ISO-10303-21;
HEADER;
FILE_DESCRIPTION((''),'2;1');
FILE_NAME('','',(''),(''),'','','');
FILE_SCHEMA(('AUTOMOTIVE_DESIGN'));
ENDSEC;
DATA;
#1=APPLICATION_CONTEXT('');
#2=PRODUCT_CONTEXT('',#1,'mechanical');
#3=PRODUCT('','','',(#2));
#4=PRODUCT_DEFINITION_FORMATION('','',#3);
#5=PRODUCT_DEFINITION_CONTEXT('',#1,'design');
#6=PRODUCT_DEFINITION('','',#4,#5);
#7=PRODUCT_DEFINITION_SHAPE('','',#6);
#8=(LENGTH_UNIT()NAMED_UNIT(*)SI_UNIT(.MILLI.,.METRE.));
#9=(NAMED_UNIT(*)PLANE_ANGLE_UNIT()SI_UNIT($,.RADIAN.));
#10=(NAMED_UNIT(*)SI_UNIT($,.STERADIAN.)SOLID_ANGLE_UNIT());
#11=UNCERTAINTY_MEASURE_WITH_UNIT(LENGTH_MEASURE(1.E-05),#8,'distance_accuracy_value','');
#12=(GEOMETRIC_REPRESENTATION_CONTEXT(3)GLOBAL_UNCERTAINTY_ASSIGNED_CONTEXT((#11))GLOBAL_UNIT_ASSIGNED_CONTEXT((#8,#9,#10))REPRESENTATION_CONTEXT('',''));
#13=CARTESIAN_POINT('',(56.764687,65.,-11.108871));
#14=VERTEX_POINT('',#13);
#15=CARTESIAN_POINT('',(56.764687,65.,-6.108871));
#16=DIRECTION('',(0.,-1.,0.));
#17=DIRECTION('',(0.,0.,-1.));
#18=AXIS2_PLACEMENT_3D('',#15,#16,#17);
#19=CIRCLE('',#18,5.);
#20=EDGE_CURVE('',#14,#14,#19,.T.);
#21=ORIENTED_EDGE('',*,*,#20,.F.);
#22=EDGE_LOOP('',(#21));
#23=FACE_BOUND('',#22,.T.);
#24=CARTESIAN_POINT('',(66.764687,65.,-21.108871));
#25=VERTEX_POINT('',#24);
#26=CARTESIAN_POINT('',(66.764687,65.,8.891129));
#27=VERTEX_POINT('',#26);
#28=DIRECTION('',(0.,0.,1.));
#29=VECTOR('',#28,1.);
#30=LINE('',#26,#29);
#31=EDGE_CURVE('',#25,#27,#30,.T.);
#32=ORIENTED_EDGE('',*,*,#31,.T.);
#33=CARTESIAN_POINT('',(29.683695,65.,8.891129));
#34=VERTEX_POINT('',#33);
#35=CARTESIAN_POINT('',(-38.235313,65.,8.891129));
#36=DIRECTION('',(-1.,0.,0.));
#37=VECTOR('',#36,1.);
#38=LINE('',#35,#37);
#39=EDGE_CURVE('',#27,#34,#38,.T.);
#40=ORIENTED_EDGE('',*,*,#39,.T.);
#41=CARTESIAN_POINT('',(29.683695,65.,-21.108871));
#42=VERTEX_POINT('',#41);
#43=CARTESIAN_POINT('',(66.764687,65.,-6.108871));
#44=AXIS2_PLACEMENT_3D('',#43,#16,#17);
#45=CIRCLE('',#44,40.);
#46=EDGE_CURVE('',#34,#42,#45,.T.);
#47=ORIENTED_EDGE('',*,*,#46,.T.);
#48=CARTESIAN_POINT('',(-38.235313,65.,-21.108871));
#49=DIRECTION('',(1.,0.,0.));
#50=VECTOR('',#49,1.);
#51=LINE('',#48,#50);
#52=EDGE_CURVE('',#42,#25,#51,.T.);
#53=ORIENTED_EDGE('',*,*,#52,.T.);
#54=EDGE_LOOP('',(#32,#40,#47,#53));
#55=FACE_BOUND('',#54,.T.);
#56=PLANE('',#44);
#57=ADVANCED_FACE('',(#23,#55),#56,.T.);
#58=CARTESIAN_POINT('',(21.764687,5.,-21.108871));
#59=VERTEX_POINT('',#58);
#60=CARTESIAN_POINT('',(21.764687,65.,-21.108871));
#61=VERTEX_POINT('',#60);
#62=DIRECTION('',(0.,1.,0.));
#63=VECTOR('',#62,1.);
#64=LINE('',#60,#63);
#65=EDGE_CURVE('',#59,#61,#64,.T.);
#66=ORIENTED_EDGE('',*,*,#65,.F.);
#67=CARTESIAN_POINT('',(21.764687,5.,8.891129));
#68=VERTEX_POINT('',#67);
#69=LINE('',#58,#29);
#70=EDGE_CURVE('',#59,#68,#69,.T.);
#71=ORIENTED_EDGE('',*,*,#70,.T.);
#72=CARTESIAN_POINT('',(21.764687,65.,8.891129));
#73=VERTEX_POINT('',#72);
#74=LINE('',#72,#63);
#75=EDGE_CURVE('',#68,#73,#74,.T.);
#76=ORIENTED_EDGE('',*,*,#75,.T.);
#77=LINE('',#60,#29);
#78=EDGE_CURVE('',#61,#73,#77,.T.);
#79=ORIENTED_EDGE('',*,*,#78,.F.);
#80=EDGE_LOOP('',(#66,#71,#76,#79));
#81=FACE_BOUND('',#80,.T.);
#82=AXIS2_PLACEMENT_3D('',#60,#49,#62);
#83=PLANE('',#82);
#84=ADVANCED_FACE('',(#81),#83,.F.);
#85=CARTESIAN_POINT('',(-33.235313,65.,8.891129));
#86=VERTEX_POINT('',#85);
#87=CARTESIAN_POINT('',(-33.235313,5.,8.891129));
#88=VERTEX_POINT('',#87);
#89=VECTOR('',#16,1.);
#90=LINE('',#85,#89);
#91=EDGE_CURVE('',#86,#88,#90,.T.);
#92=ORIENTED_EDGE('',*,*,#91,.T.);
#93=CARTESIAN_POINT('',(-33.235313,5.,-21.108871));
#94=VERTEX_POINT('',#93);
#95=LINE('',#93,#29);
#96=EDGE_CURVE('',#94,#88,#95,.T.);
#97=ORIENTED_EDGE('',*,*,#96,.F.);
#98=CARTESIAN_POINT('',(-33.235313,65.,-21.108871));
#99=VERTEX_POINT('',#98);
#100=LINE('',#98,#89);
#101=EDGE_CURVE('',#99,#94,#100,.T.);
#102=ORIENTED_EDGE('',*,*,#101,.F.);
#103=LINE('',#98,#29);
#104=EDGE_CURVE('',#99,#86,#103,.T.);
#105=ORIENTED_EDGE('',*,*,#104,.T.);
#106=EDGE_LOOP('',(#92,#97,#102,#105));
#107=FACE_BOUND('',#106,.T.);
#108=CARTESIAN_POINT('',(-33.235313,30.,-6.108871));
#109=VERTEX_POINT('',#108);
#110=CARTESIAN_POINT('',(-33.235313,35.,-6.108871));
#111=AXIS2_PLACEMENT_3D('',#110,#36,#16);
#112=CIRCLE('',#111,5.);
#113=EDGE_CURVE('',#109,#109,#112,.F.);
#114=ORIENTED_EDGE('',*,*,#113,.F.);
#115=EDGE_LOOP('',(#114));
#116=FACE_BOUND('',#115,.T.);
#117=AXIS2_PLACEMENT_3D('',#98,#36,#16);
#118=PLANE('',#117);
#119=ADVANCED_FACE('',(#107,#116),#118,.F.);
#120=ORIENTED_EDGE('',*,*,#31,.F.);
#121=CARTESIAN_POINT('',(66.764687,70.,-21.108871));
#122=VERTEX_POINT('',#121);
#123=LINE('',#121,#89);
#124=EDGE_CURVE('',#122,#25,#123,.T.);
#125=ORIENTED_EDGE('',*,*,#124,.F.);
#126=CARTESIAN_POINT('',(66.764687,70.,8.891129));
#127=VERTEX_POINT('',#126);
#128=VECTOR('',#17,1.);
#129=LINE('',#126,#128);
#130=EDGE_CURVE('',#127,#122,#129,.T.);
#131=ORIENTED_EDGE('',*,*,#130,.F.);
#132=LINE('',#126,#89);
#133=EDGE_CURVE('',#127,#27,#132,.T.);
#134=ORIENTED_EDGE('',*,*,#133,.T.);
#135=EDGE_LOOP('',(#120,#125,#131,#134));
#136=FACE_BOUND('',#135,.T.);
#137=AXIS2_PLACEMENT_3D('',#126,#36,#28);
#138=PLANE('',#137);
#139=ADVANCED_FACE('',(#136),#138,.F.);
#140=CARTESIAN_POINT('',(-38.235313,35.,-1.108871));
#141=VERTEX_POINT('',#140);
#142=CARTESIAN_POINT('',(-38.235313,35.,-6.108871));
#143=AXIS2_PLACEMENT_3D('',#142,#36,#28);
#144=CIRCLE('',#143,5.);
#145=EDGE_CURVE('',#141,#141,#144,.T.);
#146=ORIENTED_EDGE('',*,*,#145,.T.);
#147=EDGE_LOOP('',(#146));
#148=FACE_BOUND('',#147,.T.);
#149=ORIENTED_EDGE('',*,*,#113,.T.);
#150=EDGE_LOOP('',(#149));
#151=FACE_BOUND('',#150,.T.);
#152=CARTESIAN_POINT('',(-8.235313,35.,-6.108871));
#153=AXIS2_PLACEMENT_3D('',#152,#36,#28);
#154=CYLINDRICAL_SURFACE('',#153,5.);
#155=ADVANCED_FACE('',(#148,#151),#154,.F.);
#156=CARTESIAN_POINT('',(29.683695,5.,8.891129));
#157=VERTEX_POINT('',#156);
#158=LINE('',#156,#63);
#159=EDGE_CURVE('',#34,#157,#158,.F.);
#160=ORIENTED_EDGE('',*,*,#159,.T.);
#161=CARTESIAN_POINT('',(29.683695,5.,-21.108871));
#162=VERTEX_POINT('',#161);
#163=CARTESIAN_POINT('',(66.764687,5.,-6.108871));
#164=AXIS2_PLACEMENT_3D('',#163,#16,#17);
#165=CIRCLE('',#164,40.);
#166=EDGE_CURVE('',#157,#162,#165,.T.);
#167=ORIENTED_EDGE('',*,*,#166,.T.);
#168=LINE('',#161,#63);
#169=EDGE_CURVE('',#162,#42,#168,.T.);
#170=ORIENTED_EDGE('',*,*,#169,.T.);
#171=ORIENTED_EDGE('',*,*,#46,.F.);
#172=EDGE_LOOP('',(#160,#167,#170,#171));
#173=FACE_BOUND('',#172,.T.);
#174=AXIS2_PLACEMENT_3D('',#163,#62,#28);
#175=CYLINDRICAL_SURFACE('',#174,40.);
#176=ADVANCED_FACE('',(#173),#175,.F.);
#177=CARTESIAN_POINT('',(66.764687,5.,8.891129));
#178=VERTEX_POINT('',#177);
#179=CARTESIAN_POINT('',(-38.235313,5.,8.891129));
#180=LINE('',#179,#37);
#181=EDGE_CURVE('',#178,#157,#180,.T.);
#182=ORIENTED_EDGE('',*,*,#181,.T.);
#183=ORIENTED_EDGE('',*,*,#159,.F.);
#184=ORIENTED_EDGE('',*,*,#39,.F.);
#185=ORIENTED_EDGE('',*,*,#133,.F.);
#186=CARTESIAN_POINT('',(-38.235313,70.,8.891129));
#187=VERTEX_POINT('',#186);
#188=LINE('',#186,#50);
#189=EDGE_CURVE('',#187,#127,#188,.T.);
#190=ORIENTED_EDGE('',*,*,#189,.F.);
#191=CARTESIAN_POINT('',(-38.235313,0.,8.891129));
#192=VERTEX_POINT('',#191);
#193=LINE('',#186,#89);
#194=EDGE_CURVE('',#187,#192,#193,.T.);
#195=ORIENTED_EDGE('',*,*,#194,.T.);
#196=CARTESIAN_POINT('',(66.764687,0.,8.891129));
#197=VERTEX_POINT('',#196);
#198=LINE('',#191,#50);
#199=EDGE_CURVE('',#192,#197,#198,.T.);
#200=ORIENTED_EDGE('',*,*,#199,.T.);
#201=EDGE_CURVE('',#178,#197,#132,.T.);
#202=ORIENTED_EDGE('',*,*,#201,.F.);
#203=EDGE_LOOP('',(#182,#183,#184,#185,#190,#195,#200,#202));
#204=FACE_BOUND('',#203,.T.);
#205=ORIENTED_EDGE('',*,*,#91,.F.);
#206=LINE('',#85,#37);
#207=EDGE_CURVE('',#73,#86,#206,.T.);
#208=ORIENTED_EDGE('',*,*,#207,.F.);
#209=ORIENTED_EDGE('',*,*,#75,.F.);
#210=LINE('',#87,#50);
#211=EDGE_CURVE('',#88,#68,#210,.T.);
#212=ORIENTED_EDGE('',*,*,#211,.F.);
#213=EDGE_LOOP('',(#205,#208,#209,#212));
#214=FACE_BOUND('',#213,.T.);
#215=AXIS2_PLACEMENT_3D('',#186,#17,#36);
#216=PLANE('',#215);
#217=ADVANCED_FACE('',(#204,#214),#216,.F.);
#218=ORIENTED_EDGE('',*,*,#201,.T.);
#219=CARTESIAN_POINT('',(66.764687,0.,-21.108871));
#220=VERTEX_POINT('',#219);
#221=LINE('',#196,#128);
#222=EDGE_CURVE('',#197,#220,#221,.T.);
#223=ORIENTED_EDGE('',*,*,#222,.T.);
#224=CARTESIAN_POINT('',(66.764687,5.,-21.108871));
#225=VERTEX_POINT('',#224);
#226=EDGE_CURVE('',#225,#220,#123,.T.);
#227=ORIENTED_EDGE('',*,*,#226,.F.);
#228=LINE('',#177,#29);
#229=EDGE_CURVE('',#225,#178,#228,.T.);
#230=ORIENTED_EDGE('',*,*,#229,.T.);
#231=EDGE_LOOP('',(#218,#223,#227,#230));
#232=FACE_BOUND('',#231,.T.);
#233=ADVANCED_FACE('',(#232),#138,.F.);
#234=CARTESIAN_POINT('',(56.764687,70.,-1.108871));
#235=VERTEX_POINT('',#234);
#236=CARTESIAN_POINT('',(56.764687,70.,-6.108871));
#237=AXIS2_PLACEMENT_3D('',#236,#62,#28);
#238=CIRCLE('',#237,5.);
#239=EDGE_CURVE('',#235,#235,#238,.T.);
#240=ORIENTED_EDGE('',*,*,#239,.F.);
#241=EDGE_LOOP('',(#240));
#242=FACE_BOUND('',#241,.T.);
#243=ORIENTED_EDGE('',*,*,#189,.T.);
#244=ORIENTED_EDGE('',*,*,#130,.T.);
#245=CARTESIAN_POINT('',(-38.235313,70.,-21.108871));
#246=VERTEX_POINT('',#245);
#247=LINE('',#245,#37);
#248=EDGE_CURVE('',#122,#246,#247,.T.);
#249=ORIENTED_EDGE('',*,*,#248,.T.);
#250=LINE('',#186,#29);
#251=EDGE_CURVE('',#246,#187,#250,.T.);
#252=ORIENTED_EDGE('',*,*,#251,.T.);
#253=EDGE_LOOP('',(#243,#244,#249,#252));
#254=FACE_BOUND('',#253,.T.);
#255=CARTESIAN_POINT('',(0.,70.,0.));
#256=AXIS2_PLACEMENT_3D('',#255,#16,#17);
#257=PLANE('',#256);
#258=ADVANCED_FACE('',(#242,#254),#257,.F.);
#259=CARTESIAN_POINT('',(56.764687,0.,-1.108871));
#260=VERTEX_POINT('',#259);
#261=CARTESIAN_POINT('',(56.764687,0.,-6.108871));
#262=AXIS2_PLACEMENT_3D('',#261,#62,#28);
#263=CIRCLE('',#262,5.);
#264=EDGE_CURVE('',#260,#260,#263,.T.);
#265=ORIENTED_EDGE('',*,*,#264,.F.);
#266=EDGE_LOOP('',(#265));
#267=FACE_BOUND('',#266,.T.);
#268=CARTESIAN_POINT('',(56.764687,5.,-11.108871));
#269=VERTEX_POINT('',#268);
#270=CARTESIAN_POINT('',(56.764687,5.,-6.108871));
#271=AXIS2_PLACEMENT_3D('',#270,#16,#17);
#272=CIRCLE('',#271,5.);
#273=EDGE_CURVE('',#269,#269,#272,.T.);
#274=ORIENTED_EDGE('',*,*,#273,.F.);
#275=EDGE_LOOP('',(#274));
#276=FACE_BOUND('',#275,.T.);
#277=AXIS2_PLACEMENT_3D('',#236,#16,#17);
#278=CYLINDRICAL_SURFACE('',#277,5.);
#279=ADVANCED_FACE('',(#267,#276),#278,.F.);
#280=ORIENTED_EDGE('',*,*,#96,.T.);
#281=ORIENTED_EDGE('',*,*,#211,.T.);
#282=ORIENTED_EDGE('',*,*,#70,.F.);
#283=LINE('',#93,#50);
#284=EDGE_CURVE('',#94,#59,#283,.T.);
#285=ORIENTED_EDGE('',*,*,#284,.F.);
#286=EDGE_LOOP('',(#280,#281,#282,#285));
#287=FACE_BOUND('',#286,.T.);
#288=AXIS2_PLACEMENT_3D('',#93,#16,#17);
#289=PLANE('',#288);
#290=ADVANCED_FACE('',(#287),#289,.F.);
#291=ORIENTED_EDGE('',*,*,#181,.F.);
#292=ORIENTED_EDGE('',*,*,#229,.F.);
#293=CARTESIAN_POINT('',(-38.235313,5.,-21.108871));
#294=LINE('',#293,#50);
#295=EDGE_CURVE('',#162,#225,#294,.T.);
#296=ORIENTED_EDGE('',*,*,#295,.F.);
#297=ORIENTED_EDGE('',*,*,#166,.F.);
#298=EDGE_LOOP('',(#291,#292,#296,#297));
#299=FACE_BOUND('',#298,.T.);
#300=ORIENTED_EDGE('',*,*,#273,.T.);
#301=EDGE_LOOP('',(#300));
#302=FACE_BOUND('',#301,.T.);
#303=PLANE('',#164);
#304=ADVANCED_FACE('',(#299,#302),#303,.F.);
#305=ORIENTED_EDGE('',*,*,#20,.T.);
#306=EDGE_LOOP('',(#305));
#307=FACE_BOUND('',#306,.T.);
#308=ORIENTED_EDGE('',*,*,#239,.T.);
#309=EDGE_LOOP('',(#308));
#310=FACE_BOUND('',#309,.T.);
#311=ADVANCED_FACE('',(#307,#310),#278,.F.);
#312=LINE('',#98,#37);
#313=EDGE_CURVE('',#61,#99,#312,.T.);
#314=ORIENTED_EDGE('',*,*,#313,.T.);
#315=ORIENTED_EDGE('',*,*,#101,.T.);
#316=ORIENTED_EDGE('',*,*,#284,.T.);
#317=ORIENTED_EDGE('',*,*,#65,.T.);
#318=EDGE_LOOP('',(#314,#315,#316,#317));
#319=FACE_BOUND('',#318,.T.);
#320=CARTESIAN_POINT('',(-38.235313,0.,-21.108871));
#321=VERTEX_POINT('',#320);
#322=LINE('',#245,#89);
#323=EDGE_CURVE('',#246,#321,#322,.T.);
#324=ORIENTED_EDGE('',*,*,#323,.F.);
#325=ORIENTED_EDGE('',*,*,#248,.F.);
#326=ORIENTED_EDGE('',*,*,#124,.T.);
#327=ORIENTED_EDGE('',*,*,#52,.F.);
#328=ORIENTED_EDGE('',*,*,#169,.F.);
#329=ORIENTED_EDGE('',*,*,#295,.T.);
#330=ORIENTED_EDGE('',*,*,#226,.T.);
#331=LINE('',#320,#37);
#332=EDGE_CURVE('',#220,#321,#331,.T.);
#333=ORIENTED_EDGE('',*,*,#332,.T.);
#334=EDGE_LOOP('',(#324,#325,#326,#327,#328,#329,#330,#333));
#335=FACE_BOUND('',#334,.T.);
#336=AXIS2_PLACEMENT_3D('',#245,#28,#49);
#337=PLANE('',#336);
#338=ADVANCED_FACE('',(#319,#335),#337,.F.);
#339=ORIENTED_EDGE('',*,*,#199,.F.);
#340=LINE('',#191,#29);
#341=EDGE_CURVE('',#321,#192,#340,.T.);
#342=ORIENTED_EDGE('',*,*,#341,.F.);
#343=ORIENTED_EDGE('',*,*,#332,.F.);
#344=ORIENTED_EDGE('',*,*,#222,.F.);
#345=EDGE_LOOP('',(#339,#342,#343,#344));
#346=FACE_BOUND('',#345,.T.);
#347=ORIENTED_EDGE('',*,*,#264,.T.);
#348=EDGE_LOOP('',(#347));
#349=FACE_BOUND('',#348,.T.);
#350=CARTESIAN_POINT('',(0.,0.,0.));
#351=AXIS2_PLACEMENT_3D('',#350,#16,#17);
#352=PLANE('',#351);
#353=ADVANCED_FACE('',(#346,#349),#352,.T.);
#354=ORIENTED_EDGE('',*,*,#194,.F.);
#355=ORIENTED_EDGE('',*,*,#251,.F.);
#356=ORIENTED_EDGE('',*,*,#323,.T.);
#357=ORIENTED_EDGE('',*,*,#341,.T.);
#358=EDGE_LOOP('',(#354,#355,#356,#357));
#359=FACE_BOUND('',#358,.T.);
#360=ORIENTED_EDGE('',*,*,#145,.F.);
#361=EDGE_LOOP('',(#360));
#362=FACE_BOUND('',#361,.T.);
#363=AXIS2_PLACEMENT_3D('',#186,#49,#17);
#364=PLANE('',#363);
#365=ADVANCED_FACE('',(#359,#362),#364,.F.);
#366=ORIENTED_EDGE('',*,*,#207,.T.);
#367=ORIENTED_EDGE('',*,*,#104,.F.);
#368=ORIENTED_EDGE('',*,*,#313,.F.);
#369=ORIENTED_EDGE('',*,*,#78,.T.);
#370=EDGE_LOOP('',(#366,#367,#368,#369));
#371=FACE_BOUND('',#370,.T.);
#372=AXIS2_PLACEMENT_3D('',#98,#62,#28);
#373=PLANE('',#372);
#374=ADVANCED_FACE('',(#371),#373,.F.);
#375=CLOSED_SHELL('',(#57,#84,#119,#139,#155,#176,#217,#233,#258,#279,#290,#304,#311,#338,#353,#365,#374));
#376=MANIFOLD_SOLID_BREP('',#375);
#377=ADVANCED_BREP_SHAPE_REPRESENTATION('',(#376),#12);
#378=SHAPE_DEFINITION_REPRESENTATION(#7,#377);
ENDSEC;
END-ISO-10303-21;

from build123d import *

# Parameters (mm, degrees)
CROQUIS1_W                 = 105
CROQUIS1_H                 = 30
CROQUIS1_R                 = 5
SALIENTE_EXTRUIR1_DEPTH    = 70
CORTAR_EXTRUIR1_DEPTH      = 30
CORTAR_EXTRUIR1_DEPTH_BACK = 30
CROQUIS2_R                 = 40
CROQUIS3_R                 = 5
CORTAR_EXTRUIR2_DEPTH      = 30
CROQUIS4_W                 = 55
CROQUIS4_H                 = 60
CORTAR_EXTRUIR3_DEPTH      = 30


with BuildPart() as part:
    # Croquis1 → Saliente-Extruir1 (new body)
    with BuildSketch(Plane(origin=(0, 0, 0), x_dir=(1, 0, 0), z_dir=(0, 1, 0))):
        with Locations((14.264686972, 6.108870968)):
            Rectangle(CROQUIS1_W, CROQUIS1_H)
        with Locations(Location((56.764686972, 6.108870968, 0), (0, 0, 270))):
            Circle(CROQUIS1_R, mode=Mode.SUBTRACT)
    extrude(amount=SALIENTE_EXTRUIR1_DEPTH)

    # Croquis2 → Cortar-Extruir1 (cut, two sides: drawn at the far end of the back side and taken through both)
    with BuildSketch(Plane(origin=(0, 35, 0), x_dir=(-1, 0, 0), z_dir=(0, -1, 0)).offset(-CORTAR_EXTRUIR1_DEPTH_BACK)):
        with Locations((-66.764686972, 6.108870968)):
            Circle(CROQUIS2_R)
    extrude(amount=CORTAR_EXTRUIR1_DEPTH + CORTAR_EXTRUIR1_DEPTH_BACK, mode=Mode.SUBTRACT)

    # Croquis3 → Cortar-Extruir2 (cut)
    with BuildSketch(Plane.ZY.offset(38.235313028)):
        with Locations((-6.108870968, 35)):
            Circle(CROQUIS3_R)
    extrude(amount=-CORTAR_EXTRUIR2_DEPTH, mode=Mode.SUBTRACT)

    # Croquis4 → Cortar-Extruir3 (cut)
    with BuildSketch(Plane.XY.offset(8.891129032)):
        with Locations((-5.735313028, 35)):
            Rectangle(CROQUIS4_W, CROQUIS4_H)
    extrude(amount=-CORTAR_EXTRUIR3_DEPTH, mode=Mode.SUBTRACT)


solid = part.part
